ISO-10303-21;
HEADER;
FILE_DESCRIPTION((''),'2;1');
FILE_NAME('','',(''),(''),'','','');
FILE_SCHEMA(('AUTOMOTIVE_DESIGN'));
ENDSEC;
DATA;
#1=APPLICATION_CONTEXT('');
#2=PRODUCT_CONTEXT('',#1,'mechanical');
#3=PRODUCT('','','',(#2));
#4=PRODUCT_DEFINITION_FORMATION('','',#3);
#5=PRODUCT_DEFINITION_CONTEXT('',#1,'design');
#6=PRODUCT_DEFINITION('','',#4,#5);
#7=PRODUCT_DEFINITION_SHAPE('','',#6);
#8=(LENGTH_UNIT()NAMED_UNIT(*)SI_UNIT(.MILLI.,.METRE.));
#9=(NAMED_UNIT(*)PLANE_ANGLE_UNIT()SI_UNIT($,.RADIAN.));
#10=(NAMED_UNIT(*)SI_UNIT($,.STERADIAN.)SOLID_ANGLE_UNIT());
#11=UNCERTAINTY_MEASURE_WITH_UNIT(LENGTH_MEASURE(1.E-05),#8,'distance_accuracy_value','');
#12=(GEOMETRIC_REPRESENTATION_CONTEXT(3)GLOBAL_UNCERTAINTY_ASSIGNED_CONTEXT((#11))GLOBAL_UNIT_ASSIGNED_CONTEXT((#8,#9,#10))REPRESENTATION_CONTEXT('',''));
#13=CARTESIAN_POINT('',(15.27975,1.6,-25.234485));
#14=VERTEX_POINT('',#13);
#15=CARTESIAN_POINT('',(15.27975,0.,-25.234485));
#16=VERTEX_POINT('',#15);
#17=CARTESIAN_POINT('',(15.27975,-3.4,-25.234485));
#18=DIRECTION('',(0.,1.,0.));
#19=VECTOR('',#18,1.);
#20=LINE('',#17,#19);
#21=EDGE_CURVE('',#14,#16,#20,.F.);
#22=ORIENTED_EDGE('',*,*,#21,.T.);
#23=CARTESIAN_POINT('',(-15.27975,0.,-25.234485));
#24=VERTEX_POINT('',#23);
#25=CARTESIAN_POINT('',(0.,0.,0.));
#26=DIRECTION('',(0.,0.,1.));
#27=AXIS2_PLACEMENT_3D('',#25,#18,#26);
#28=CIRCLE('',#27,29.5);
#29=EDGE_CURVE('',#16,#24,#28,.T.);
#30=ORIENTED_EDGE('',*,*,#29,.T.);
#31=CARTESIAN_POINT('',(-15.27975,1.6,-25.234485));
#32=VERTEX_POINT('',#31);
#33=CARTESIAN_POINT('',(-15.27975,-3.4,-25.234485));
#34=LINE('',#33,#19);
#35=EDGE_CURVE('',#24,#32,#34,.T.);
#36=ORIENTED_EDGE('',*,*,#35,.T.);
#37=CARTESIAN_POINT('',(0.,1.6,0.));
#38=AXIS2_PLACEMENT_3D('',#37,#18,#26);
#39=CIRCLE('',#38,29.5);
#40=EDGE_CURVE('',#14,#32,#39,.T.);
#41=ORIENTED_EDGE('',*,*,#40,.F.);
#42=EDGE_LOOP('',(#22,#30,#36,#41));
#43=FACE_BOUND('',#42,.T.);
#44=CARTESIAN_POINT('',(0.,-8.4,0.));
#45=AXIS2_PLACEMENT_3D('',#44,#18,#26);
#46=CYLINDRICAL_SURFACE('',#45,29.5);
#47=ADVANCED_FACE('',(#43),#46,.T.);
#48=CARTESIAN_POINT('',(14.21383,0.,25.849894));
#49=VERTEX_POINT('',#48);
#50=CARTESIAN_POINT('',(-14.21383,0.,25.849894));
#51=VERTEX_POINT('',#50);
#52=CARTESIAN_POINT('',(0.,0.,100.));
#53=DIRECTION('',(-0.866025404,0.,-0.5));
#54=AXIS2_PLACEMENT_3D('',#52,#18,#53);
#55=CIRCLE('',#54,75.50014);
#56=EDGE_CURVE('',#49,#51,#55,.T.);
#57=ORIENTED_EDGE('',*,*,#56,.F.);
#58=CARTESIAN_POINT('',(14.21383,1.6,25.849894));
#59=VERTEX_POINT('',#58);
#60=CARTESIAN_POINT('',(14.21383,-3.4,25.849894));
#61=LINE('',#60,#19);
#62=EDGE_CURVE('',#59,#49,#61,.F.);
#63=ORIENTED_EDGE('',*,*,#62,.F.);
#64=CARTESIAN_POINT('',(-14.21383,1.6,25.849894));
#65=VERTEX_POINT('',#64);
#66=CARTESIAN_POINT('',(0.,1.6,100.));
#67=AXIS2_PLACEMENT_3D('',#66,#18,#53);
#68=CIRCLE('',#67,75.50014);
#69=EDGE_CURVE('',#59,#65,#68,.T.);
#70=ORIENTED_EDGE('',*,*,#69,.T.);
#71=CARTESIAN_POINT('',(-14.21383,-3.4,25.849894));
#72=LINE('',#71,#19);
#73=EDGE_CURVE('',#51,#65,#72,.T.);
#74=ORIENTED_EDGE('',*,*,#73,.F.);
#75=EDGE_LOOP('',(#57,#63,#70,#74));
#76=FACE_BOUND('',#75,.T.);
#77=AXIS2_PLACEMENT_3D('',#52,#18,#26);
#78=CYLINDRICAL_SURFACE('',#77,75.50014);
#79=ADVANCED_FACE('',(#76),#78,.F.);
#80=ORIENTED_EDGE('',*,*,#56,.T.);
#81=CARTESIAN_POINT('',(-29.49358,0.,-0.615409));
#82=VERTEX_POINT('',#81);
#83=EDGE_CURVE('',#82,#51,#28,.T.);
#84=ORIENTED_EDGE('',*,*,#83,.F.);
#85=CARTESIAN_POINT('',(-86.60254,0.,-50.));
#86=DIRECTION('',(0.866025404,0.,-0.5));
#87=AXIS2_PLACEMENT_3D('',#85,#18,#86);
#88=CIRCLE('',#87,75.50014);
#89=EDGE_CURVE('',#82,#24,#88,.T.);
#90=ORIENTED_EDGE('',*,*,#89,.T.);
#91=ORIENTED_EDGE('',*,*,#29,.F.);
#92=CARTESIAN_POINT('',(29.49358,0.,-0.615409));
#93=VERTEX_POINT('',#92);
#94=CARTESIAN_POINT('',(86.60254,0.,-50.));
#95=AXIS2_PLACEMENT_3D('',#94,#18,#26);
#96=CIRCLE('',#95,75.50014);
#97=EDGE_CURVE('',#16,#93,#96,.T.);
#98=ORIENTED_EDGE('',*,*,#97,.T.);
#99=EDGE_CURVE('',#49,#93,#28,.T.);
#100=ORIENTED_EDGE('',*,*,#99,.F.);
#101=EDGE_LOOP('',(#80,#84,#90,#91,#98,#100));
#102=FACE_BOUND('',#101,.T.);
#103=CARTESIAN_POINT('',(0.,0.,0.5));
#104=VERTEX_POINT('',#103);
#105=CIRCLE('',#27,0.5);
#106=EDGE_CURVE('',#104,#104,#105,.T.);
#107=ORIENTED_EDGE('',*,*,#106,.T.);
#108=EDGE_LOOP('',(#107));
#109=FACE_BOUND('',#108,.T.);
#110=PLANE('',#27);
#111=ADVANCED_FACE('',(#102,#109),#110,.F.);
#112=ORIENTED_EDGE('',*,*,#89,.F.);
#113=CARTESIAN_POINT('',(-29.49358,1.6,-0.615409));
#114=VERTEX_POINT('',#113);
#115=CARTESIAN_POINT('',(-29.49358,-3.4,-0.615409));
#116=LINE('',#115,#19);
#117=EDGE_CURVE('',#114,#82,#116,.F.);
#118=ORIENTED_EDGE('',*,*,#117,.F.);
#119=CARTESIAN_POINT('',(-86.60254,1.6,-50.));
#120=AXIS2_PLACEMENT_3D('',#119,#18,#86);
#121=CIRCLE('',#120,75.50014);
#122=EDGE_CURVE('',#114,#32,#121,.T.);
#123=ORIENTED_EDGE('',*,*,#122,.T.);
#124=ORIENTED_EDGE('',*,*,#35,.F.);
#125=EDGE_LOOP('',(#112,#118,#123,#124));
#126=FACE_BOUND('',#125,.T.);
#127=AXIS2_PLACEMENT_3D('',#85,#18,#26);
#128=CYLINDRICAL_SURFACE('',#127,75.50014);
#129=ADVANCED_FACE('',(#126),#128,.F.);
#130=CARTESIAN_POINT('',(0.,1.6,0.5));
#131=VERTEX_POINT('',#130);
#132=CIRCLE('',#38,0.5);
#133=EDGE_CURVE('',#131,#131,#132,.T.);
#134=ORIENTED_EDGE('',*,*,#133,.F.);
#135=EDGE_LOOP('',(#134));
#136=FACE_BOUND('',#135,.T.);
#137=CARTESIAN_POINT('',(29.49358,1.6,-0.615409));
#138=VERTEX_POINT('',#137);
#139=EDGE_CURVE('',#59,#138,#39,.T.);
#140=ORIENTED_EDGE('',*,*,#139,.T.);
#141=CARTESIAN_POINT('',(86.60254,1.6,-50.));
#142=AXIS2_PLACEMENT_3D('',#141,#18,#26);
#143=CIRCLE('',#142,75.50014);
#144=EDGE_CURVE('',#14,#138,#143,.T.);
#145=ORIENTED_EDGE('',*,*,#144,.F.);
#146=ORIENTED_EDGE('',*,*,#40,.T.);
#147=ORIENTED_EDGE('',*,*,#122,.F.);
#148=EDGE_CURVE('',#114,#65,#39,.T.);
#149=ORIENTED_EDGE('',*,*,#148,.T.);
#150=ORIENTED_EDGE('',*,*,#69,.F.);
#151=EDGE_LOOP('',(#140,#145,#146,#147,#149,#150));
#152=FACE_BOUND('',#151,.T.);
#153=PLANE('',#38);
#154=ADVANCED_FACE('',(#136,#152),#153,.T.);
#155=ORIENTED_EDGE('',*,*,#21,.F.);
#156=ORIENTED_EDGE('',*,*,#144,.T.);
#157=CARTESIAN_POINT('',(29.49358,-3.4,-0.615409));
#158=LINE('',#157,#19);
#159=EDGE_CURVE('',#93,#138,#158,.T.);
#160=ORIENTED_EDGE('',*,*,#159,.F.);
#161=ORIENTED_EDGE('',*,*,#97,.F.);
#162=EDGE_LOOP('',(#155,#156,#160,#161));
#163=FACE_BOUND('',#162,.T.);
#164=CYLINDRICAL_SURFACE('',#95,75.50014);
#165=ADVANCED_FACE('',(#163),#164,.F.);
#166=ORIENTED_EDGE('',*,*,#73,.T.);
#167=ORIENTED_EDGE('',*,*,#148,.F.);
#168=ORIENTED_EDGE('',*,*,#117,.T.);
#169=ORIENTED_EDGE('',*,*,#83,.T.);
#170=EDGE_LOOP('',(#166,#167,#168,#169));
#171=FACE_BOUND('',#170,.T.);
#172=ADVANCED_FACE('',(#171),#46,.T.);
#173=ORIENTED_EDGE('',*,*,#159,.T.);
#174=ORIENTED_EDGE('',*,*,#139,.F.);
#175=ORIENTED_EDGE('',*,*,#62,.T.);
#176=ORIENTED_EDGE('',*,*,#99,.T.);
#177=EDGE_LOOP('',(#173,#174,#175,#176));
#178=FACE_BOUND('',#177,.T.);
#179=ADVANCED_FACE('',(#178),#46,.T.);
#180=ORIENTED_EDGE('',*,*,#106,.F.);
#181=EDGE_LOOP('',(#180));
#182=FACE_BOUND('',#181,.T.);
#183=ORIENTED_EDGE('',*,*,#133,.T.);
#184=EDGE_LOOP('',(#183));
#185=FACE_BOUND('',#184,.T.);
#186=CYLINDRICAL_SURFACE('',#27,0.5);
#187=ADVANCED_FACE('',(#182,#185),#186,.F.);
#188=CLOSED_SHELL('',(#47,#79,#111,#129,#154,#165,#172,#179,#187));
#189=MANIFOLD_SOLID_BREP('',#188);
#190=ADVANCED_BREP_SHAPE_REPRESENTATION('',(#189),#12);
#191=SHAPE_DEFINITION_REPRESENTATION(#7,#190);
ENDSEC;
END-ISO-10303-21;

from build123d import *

# Parameters (mm, degrees)
SKETCH1_R           = 37
BOSS_EXTRUDE1_DEPTH = 1.6
SKETCH5_R           = 75.500139874
CUT_EXTRUDE2_DEPTH  = 2.6
SKETCH7_R           = 0.5
CUT_EXTRUDE3_DEPTH  = 2.6
SKETCH3_R           = 1.75
CUT_EXTRUDE4_DEPTH  = 2.6
SKETCH8_R           = 1.65
CUT_EXTRUDE5_DEPTH  = 2.6
CIRPATTERN2_COUNT   = 3
SKETCH10_OUTSIDE_W  = 94.454
SKETCH10_OUTSIDE_H  = 86.922
SKETCH10_OUTSIDE_R  = 29.5
CUT_EXTRUDE7_DEPTH  = 10


with BuildPart() as part:
    # Sketch1 → Boss-Extrude1 (new body)
    with BuildSketch(Plane(origin=(0, 0, 0), x_dir=(1, 0, 0), z_dir=(0, 1, 0))):
        Circle(SKETCH1_R)
    extrude(amount=BOSS_EXTRUDE1_DEPTH)

    # Sketch5 → Cut-Extrude2 (cut, through all)
    with BuildSketch(Plane(origin=(0, 1.6, 0), x_dir=(1, 0, 0), z_dir=(0, 1, 0))):
        with Locations((86.602540378, 50)):
            Circle(SKETCH5_R)
    cut_extrude2 = extrude(amount=-CUT_EXTRUDE2_DEPTH, mode=Mode.SUBTRACT)

    # Sketch7 → Cut-Extrude3 (cut, through all)
    with BuildSketch(Plane(origin=(0, 1.6, 0), x_dir=(1, 0, 0), z_dir=(0, 1, 0))):
        Circle(SKETCH7_R)
    extrude(amount=-CUT_EXTRUDE3_DEPTH, mode=Mode.SUBTRACT)

    # Sketch3 → Cut-Extrude4 (cut, through all)
    with BuildSketch(Plane(origin=(0, 1.6, 0), x_dir=(1, 0, 0), z_dir=(0, 1, 0))):
        with Locations((2.788983768, 31.878230339)):
            Circle(SKETCH3_R)
        with Locations((26.212865417, -18.354445963)):
            Circle(SKETCH3_R)
        with Locations((-29.001849185, -13.523784376)):
            Circle(SKETCH3_R)
    extrude(amount=-CUT_EXTRUDE4_DEPTH, mode=Mode.SUBTRACT)

    # Sketch8 → Cut-Extrude5 (cut, through all)
    with BuildSketch(Plane(origin=(0, 1.6, 0), x_dir=(1, 0, 0), z_dir=(0, 1, 0))):
        with Locations((-5.904038041, 33.483463602)):
            Circle(SKETCH8_R)
    cut_extrude5 = extrude(amount=-CUT_EXTRUDE5_DEPTH, mode=Mode.SUBTRACT)

    # CirPattern2: Cut-Extrude2, Cut-Extrude5 ×3 about axis
    cirpattern2_axis = Axis((0, 0, 0), (0, 1, 0))
    for i in range(1, CIRPATTERN2_COUNT):
        add(cut_extrude2.rotate(cirpattern2_axis, i * 360 / CIRPATTERN2_COUNT), mode=Mode.SUBTRACT)
        add(cut_extrude5.rotate(cirpattern2_axis, i * 360 / CIRPATTERN2_COUNT), mode=Mode.SUBTRACT)

    # Sketch10 outside → Cut-Extrude7 (cut)
    with BuildSketch(Plane(origin=(0, 1.6, 0), x_dir=(1, 0, 0), z_dir=(0, 1, 0))):
        with Locations((0, 4.328)):
            Rectangle(SKETCH10_OUTSIDE_W, SKETCH10_OUTSIDE_H)
        Circle(SKETCH10_OUTSIDE_R, mode=Mode.SUBTRACT)
    extrude(amount=-CUT_EXTRUDE7_DEPTH, mode=Mode.SUBTRACT)


solid = part.part
